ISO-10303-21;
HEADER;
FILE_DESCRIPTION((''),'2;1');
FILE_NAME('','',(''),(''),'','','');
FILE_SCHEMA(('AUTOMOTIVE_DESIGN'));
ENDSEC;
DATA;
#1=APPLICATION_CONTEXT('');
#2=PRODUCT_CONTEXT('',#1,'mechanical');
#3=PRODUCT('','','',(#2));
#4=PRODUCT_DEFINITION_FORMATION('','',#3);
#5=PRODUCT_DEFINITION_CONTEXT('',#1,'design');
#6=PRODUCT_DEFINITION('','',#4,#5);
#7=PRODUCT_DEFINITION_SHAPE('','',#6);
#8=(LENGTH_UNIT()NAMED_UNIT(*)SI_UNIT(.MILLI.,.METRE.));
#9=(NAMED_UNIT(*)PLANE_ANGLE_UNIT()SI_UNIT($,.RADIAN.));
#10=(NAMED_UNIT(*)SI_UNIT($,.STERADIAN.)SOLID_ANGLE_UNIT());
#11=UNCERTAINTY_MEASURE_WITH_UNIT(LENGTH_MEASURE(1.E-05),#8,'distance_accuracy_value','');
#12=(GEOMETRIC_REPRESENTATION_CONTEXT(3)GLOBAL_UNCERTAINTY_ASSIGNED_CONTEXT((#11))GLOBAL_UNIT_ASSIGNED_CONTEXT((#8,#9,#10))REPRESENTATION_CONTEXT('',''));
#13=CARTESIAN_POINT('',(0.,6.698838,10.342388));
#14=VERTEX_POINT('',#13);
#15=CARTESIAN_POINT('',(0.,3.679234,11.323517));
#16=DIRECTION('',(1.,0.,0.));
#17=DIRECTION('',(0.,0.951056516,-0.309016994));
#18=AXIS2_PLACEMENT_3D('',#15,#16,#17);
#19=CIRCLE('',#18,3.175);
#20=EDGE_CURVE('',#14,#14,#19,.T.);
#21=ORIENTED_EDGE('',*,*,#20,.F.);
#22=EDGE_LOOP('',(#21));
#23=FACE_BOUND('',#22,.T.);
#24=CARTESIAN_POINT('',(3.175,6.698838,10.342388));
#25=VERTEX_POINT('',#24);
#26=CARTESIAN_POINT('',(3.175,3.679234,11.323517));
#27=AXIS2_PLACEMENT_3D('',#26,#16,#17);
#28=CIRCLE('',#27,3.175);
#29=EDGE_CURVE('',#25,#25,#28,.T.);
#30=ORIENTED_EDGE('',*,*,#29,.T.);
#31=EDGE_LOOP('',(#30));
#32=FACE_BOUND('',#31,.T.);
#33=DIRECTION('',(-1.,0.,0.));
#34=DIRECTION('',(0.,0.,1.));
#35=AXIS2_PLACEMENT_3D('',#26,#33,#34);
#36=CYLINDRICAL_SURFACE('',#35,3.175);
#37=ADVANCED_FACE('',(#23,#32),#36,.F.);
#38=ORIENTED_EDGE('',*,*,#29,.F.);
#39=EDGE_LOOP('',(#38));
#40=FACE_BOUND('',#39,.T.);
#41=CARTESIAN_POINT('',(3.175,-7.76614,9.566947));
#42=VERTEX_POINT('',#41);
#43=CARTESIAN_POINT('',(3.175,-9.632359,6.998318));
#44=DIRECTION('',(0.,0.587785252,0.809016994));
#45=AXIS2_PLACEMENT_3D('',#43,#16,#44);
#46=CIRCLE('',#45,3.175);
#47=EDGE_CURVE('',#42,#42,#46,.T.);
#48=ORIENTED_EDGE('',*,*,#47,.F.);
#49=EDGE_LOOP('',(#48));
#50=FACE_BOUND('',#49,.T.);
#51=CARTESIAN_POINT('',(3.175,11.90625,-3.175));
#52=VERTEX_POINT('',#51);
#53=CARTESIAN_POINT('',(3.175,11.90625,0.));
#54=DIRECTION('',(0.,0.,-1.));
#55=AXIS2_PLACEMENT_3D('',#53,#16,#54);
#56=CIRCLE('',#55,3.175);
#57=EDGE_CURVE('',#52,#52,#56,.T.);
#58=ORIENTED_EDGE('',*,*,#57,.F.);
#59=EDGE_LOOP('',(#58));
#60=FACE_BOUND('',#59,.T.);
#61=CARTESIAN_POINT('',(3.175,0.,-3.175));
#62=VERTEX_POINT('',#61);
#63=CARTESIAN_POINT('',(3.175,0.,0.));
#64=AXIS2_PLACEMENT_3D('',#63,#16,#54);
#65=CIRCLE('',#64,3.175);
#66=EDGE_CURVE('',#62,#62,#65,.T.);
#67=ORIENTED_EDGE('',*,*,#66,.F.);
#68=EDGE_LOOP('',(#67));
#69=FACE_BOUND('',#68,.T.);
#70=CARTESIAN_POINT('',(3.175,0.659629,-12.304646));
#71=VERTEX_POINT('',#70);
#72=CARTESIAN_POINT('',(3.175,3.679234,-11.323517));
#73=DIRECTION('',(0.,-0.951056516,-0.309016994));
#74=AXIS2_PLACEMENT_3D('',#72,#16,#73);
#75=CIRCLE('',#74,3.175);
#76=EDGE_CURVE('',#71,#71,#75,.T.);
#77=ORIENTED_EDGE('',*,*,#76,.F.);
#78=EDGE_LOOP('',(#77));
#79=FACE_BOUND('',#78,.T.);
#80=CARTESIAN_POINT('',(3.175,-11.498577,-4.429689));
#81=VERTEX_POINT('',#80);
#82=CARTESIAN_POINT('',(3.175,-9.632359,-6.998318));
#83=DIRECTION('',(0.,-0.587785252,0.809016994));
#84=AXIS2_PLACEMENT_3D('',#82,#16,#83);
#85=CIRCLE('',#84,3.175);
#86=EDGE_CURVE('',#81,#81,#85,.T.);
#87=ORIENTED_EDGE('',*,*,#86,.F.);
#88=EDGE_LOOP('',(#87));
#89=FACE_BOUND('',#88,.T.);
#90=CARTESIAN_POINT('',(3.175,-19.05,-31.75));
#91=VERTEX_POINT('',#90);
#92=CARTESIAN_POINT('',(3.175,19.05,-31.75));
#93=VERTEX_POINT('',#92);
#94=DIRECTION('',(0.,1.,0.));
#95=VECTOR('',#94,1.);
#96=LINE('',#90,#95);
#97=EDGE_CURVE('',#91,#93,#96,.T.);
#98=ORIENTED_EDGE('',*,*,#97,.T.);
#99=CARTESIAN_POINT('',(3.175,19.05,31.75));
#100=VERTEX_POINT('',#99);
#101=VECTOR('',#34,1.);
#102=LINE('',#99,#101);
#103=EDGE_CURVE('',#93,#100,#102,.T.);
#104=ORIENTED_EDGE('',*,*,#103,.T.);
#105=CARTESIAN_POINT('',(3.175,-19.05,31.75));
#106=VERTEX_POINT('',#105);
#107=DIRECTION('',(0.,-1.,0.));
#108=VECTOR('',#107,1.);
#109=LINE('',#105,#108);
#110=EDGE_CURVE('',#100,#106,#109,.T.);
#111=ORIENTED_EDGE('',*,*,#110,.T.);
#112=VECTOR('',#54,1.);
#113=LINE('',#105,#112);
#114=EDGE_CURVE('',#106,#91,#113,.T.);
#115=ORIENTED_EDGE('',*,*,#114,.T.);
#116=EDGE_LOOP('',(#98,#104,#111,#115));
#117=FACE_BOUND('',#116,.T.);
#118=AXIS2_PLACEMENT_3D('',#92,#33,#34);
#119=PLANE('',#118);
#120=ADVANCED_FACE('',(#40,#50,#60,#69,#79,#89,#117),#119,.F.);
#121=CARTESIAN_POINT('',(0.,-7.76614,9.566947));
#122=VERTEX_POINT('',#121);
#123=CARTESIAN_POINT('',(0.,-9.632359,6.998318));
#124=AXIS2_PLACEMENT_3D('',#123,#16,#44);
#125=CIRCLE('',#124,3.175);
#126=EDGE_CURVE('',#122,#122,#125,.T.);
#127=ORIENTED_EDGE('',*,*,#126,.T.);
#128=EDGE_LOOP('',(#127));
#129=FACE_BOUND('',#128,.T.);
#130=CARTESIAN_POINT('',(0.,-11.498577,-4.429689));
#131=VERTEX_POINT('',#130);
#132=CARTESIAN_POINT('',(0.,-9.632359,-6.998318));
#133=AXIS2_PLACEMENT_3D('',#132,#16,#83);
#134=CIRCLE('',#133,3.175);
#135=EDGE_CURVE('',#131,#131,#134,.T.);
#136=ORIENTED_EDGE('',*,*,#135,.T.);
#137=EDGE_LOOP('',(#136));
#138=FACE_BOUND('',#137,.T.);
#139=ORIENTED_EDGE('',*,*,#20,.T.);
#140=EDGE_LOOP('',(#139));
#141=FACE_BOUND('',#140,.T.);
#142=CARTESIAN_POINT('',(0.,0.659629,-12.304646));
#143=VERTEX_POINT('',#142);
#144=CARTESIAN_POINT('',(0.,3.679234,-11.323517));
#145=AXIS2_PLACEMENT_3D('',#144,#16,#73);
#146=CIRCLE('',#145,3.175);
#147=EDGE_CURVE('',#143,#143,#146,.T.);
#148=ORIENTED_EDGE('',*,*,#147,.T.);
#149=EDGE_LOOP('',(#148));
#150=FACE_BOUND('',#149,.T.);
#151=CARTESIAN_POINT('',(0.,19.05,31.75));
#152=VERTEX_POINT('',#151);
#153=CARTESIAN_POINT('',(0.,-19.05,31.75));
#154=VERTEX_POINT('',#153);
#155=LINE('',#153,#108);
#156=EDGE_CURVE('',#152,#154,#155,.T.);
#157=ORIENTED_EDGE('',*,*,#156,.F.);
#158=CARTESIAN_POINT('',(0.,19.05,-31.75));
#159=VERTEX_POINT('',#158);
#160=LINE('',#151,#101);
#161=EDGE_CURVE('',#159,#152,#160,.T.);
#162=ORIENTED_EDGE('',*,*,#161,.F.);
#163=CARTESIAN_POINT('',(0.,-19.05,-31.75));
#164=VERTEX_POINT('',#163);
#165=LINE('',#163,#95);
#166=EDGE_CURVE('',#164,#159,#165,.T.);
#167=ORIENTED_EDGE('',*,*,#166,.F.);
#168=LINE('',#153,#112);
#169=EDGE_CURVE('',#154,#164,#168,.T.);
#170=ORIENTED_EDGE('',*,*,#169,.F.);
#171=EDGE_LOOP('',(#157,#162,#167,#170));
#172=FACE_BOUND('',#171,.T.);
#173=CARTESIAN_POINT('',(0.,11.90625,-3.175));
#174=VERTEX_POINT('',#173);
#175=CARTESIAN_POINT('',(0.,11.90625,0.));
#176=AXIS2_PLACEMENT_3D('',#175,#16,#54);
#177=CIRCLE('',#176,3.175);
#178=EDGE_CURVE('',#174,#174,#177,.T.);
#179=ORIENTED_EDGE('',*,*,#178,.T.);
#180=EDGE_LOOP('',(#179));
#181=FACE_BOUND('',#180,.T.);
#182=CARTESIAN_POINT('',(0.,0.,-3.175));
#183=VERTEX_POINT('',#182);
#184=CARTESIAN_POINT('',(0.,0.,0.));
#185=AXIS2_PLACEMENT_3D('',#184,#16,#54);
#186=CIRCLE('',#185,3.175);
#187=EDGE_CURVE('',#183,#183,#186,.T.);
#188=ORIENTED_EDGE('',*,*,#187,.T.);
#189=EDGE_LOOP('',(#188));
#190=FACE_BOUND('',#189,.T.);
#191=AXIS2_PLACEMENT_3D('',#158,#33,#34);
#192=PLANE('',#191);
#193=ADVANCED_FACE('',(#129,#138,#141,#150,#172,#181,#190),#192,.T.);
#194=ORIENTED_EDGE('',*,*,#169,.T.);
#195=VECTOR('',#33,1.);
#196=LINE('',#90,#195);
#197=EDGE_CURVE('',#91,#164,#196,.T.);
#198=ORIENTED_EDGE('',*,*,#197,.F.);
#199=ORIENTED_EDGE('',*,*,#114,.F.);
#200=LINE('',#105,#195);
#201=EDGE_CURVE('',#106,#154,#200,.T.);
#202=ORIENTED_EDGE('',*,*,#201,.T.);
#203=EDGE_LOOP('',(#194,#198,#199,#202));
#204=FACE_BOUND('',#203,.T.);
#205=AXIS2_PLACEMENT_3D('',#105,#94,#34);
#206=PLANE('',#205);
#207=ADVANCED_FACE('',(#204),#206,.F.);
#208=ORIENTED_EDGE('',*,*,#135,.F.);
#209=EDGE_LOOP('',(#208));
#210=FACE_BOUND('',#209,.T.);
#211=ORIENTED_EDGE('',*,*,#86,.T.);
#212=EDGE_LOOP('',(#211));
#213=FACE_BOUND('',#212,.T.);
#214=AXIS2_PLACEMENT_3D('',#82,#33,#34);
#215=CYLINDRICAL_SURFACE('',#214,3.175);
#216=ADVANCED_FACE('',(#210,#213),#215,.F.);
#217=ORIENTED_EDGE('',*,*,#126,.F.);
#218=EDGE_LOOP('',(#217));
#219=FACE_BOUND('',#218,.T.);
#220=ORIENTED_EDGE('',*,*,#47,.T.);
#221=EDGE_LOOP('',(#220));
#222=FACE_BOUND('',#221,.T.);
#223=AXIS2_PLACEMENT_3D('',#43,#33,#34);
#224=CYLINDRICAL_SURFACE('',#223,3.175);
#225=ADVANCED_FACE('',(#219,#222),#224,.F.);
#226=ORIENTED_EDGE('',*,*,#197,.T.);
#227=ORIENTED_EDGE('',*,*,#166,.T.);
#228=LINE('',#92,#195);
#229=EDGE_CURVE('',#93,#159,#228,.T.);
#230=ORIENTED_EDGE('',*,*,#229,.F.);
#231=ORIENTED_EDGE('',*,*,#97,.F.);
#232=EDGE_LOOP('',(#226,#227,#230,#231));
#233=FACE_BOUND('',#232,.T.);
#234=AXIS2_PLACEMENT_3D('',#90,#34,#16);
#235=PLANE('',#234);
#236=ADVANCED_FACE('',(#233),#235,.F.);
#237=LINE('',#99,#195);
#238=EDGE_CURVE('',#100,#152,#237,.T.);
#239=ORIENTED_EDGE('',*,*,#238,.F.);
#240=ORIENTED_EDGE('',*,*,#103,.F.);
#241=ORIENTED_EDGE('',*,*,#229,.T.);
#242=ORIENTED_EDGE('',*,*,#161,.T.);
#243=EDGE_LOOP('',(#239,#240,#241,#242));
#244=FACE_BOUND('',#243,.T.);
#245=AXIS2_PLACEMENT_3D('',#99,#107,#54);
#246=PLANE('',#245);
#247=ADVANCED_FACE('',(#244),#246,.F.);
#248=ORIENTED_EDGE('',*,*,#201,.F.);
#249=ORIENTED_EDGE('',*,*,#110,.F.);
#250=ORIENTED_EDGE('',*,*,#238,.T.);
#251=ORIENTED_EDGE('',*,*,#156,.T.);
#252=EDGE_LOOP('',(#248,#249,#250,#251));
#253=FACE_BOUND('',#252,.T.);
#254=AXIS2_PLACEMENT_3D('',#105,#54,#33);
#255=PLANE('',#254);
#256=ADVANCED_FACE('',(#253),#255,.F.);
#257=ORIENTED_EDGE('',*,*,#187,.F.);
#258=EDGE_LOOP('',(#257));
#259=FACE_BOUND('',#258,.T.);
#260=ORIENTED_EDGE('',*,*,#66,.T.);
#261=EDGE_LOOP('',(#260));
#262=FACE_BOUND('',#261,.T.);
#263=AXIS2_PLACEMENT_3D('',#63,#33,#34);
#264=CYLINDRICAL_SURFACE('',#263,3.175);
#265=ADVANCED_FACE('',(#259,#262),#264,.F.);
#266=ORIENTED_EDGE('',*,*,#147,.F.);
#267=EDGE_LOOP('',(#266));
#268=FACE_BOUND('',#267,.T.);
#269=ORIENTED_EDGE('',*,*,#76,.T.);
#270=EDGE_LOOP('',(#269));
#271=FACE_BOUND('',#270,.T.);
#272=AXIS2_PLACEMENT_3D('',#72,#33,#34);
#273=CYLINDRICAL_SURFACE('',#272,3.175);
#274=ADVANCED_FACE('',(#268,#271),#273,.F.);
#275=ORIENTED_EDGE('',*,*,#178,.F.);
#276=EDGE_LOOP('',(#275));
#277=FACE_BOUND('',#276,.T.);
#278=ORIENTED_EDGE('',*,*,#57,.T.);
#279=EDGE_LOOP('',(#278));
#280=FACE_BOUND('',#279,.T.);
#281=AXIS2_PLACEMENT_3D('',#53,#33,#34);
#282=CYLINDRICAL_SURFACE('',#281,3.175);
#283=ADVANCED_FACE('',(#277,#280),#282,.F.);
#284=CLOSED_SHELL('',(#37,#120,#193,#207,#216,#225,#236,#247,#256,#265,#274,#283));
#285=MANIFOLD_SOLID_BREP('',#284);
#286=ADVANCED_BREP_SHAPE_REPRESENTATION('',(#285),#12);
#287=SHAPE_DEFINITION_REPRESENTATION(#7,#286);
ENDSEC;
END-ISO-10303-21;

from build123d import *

# Parameters (mm, degrees)
SKETCH1_W           = 63.5
SKETCH1_H           = 38.1
SKETCH1_R           = 3.175
BOSS_EXTRUDE1_DEPTH = 3.175
SKETCH2_R           = 3.175
CUT_EXTRUDE1_DEPTH  = 38.162422217
CIRPATTERN1_COUNT   = 5


with BuildPart() as part:
    # Sketch1 → Boss-Extrude1 (new body)
    with BuildSketch(Plane(origin=(0, 0, 0), x_dir=(0, 0, -1), z_dir=(1, 0, 0))):
        Rectangle(SKETCH1_W, SKETCH1_H)
        Circle(SKETCH1_R, mode=Mode.SUBTRACT)
    extrude(amount=BOSS_EXTRUDE1_DEPTH)

    # Sketch2 → Cut-Extrude1 (cut, through all)
    with BuildSketch(Plane(origin=(0, 0, 0), x_dir=(0, 0, -1), z_dir=(1, 0, 0))):
        with Locations((0, 11.90625)):
            Circle(SKETCH2_R)
    cut_extrude1 = extrude(amount=CUT_EXTRUDE1_DEPTH, mode=Mode.SUBTRACT)

    # CirPattern1: Cut-Extrude1 ×5 about axis
    cirpattern1_axis = Axis((0, 0, 0), (1, 0, 0))
    for i in range(1, CIRPATTERN1_COUNT):
        add(cut_extrude1.rotate(cirpattern1_axis, i * 360 / CIRPATTERN1_COUNT), mode=Mode.SUBTRACT)


solid = part.part
